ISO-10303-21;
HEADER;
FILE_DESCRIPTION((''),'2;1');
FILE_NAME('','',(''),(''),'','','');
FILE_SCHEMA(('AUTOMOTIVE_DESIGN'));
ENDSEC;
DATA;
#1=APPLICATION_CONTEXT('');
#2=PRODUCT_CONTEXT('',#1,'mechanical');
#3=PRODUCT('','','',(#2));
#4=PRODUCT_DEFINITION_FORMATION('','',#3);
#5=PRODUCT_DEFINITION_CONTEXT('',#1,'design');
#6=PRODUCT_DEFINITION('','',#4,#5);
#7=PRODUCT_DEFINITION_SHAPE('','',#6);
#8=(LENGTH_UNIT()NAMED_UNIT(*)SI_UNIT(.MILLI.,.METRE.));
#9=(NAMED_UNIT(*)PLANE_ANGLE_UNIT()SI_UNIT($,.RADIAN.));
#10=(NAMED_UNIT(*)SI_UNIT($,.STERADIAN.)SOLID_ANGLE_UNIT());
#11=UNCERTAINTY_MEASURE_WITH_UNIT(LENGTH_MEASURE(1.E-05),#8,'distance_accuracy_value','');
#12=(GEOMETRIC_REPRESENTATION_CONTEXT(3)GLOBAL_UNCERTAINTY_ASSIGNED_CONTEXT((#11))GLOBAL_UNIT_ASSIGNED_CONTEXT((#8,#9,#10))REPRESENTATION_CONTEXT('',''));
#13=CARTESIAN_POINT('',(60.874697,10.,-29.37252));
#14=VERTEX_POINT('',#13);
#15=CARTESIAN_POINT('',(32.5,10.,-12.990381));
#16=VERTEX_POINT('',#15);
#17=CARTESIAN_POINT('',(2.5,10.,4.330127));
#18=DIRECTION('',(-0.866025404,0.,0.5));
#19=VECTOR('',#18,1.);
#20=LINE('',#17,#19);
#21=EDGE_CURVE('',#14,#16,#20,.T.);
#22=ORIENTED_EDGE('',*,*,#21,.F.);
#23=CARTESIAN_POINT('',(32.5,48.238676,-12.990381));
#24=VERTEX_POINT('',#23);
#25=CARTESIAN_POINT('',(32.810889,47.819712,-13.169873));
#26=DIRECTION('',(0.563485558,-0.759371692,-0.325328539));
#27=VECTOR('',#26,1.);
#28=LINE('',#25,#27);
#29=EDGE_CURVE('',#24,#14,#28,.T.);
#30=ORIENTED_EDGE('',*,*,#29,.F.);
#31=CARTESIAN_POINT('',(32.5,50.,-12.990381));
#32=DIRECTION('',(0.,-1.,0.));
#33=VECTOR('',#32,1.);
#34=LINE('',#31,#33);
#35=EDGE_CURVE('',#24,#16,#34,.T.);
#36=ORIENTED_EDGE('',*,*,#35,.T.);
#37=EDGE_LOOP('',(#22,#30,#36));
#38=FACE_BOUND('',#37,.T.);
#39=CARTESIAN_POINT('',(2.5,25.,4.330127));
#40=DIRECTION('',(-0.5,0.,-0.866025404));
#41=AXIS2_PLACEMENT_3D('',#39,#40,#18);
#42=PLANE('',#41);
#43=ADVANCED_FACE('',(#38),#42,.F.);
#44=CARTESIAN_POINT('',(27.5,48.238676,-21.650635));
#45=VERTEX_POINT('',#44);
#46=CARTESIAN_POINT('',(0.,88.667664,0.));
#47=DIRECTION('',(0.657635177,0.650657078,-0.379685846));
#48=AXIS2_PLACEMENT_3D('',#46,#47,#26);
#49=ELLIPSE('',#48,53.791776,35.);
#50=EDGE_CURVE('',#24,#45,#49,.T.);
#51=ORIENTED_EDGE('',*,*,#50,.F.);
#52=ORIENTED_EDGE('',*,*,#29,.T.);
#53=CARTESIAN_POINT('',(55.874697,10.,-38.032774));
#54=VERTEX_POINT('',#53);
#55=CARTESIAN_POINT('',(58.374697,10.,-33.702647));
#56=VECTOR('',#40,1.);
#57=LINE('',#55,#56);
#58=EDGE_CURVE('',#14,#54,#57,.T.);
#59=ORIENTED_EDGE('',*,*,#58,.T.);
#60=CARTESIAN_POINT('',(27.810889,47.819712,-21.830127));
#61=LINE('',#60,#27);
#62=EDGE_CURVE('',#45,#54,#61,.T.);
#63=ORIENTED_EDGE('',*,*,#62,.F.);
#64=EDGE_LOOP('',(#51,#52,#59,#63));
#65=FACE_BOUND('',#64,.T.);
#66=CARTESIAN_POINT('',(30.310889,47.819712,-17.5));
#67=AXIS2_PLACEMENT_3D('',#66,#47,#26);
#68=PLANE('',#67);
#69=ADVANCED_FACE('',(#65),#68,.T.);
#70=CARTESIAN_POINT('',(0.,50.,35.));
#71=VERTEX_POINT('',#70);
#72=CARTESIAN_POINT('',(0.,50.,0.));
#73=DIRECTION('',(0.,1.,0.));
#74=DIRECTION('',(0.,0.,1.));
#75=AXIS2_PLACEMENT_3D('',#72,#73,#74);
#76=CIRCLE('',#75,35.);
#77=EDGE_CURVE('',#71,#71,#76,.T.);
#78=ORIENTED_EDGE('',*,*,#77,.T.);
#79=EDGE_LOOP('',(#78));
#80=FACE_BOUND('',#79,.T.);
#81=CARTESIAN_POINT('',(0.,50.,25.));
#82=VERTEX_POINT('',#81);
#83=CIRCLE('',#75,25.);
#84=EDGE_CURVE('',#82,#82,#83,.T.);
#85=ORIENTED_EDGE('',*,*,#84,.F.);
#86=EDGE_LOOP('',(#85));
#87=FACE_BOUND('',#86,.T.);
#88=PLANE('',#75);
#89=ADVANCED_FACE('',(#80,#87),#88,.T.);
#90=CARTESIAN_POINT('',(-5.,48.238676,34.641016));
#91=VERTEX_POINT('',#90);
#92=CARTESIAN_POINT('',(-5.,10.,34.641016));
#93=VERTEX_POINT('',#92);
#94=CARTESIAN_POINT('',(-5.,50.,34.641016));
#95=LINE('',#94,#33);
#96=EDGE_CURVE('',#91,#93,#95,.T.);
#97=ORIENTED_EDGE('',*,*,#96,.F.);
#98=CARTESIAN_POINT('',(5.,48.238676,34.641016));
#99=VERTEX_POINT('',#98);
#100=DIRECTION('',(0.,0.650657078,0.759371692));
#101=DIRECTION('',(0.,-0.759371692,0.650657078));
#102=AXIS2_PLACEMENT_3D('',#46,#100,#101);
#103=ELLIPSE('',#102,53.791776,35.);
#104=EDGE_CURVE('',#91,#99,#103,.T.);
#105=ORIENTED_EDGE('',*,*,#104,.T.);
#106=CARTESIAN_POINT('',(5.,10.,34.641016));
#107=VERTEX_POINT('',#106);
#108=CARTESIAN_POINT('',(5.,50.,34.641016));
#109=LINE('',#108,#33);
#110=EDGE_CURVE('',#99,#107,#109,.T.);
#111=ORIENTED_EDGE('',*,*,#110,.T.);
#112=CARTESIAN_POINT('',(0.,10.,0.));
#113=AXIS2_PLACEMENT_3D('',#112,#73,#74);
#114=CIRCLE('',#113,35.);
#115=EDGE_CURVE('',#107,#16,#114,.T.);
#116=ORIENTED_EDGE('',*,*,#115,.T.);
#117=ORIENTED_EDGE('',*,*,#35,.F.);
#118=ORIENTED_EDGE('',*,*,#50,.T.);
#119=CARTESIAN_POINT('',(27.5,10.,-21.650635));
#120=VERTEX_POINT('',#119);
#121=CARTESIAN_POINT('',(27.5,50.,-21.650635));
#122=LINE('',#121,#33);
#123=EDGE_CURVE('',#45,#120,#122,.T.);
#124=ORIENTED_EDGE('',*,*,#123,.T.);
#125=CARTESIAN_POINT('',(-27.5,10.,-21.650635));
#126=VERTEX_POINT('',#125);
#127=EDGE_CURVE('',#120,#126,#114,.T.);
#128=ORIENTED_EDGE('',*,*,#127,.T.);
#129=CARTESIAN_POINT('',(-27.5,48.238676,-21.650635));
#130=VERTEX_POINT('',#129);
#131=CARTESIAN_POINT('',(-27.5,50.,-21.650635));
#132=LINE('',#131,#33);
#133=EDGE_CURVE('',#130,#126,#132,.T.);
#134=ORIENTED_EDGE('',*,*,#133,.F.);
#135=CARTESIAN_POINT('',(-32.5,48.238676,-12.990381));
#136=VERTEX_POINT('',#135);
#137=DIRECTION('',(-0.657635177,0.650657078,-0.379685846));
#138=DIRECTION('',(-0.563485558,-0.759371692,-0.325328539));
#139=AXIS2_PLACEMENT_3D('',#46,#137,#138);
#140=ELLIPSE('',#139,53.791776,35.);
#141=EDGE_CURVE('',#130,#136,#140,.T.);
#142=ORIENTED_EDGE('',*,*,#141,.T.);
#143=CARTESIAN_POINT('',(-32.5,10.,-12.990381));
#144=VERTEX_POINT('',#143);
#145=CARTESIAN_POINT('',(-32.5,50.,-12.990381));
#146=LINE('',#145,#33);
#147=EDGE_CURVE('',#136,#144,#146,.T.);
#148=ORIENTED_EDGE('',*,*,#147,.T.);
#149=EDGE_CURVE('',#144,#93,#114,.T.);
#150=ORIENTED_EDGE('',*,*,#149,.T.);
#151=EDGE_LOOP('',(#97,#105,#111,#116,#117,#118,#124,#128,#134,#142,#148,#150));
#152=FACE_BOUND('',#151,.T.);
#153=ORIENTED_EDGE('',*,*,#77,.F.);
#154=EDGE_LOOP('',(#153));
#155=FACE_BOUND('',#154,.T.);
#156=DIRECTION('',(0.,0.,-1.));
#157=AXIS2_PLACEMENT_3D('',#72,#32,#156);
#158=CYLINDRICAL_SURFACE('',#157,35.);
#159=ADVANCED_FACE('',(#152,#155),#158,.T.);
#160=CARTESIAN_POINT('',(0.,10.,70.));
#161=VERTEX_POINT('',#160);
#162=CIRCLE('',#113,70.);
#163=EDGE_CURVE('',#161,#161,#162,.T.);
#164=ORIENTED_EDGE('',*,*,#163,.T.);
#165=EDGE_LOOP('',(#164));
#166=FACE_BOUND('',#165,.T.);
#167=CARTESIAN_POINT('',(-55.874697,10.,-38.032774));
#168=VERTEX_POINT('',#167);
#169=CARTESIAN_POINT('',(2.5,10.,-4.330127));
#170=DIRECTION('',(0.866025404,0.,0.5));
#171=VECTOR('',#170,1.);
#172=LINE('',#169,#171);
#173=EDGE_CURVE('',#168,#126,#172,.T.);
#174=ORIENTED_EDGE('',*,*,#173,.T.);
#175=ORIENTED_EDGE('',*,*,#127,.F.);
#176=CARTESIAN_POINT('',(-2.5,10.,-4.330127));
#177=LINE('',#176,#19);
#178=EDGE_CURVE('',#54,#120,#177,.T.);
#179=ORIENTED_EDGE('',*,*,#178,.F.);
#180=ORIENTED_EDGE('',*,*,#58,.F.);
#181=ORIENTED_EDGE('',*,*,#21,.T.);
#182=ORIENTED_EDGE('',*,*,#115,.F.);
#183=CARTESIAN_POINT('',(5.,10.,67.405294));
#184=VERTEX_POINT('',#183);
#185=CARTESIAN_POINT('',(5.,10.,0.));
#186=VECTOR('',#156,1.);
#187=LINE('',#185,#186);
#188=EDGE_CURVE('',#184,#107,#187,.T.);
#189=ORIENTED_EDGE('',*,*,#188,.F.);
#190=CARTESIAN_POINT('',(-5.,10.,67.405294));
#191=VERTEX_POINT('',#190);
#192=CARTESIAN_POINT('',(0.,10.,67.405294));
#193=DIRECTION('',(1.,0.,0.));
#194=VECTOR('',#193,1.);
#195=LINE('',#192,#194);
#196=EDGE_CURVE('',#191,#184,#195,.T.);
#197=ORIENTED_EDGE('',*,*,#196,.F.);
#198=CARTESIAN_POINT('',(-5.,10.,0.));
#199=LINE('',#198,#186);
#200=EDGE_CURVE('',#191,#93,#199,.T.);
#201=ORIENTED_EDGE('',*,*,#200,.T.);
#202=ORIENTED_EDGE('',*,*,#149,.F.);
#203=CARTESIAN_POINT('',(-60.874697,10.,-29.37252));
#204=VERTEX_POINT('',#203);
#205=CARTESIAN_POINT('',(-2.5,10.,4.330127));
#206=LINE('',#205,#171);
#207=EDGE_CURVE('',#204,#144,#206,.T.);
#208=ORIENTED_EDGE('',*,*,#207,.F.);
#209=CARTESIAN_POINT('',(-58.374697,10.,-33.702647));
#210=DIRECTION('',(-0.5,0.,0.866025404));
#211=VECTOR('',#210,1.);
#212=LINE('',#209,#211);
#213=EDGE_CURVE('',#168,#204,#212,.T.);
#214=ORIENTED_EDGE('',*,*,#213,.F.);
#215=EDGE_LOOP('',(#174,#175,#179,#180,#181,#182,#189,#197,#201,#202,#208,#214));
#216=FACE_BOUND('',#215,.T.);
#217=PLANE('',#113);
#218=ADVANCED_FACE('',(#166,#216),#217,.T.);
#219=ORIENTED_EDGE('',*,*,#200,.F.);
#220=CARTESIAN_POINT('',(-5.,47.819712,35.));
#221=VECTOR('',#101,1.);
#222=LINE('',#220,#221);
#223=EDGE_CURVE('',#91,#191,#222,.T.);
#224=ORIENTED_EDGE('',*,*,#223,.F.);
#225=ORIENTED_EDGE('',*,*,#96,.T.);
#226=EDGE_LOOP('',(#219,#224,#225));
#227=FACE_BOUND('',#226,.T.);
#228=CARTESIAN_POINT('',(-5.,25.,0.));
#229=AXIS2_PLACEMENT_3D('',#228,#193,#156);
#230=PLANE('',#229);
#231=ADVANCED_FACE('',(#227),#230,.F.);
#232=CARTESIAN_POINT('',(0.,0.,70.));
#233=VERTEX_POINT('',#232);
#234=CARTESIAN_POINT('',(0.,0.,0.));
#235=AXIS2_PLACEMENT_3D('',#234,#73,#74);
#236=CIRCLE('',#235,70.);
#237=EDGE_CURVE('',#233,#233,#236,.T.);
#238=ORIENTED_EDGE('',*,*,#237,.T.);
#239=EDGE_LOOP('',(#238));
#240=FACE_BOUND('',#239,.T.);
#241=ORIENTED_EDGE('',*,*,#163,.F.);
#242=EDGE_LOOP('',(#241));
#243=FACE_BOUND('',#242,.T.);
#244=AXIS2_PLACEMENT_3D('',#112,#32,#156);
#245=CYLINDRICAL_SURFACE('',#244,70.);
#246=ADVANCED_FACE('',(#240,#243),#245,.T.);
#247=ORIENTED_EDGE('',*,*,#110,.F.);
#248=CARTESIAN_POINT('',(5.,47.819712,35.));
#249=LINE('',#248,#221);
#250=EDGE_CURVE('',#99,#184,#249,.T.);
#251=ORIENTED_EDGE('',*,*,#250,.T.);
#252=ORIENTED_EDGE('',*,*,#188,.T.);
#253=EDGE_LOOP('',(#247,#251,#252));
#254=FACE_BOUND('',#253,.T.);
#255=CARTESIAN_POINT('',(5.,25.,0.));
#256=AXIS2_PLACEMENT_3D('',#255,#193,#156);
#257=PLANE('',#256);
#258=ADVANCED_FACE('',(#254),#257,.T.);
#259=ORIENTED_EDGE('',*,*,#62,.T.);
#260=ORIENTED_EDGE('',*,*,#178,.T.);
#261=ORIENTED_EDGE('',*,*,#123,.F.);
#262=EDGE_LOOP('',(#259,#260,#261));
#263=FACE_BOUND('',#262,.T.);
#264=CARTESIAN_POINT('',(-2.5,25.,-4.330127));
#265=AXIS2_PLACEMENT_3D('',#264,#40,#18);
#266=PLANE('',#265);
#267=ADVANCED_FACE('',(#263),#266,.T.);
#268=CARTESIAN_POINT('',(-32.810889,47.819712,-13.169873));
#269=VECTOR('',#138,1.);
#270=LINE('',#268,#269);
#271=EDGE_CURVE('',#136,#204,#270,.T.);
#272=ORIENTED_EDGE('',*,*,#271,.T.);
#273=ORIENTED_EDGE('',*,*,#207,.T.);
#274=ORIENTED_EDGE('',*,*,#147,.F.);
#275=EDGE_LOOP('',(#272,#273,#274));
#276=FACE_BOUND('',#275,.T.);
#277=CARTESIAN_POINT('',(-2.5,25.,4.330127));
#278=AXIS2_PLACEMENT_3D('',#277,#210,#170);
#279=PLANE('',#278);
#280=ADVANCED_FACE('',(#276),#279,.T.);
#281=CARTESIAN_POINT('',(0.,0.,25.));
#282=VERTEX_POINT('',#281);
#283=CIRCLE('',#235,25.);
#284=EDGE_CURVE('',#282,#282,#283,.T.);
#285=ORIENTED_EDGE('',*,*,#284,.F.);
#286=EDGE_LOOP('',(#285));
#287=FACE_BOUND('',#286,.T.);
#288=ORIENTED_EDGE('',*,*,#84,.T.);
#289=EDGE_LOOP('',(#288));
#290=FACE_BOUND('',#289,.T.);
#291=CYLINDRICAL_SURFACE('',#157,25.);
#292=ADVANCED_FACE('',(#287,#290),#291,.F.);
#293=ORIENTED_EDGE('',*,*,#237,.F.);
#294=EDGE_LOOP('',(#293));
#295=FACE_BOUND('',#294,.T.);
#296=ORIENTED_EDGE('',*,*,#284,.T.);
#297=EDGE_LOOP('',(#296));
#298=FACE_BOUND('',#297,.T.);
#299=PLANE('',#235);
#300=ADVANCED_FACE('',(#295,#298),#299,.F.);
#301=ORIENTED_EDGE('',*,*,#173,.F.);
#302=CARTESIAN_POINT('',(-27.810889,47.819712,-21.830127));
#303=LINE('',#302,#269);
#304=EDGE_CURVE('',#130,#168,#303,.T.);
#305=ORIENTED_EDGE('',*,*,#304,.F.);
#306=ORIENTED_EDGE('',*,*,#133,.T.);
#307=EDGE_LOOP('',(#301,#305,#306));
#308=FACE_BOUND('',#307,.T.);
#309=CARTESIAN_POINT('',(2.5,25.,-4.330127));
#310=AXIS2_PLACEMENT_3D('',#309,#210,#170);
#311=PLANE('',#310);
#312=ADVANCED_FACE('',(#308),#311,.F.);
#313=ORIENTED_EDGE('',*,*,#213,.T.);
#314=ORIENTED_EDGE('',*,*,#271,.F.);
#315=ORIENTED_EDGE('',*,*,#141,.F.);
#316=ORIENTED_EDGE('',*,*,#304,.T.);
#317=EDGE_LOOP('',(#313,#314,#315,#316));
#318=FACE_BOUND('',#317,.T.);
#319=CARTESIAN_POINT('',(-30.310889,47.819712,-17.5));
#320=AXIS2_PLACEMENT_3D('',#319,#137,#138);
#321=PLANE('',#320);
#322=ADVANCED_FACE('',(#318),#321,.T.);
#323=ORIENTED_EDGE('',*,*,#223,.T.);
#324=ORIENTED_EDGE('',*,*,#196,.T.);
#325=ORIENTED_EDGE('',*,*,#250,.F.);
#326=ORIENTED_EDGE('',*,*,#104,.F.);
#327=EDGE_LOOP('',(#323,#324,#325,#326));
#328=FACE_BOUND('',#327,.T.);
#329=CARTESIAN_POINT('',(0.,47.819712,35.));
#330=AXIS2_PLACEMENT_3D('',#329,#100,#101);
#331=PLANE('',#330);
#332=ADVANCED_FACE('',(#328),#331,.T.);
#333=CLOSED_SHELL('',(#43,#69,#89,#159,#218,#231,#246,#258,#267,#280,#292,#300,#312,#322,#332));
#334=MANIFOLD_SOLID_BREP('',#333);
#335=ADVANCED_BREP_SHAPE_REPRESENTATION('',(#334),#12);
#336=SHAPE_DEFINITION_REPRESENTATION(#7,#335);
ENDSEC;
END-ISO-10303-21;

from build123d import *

# Parameters (mm, degrees)
SKETCH_1_R               = 70
SKETCH_1_R_2             = 35
EXTRUDE_1_DEPTH          = 10
SKETCH_1_3_R             = 35
SKETCH_1_3_R_2           = 25
EXTRUDE_2_DEPTH          = 50
RIB_13_REACH             = 112.905
SKETCH_2_WALL_W          = 273.614682576
SKETCH_2_WALL_H          = 10
PATTERN_CIRCULAR_1_COUNT = 3


with BuildPart() as part:
    # 草图1 → 凸台-拉伸1 (new body)
    with BuildSketch(Plane(origin=(0, 0, 0), x_dir=(1, 0, 0), z_dir=(0, 1, 0))):
        Circle(SKETCH_1_R)
        Circle(SKETCH_1_R_2, mode=Mode.SUBTRACT)
    extrude(amount=EXTRUDE_1_DEPTH)

    # 草图1<3> → 凸台-拉伸2 (add)
    with BuildSketch(Plane(origin=(0, 0, 0), x_dir=(1, 0, 0), z_dir=(0, 1, 0))):
        Circle(SKETCH_1_3_R)
        Circle(SKETCH_1_3_R_2, mode=Mode.SUBTRACT)
    extrude(amount=EXTRUDE_2_DEPTH)

    # 草图2 wall → 筋13 (add, up to next)
    with BuildSketch(Plane(origin=(0, 28.909855829, 51.202647079), x_dir=(0, -0.7593716924, 0.650657077716), z_dir=(0, -0.650657077716, -0.7593716924)), mode=Mode.PRIVATE) as rib_13_sk1:
        Rectangle(SKETCH_2_WALL_W, SKETCH_2_WALL_H)
    rib_13_tool1 = extrude(rib_13_sk1.sketch, amount=RIB_13_REACH, mode=Mode.PRIVATE) - part.part
    rib_13 = rib_13_tool1.solids().sort_by_distance((0, 28.909855829, 51.202647079))[0]
    add(rib_13)

    # 阵列(圆周)1: 筋13 ×3 about axis
    pattern_circular_1_axis = Axis((0, 50, 0), (0, -1, 0))
    for i in range(1, PATTERN_CIRCULAR_1_COUNT):
        add(rib_13.rotate(pattern_circular_1_axis, i * 360 / PATTERN_CIRCULAR_1_COUNT))


solid = part.part
